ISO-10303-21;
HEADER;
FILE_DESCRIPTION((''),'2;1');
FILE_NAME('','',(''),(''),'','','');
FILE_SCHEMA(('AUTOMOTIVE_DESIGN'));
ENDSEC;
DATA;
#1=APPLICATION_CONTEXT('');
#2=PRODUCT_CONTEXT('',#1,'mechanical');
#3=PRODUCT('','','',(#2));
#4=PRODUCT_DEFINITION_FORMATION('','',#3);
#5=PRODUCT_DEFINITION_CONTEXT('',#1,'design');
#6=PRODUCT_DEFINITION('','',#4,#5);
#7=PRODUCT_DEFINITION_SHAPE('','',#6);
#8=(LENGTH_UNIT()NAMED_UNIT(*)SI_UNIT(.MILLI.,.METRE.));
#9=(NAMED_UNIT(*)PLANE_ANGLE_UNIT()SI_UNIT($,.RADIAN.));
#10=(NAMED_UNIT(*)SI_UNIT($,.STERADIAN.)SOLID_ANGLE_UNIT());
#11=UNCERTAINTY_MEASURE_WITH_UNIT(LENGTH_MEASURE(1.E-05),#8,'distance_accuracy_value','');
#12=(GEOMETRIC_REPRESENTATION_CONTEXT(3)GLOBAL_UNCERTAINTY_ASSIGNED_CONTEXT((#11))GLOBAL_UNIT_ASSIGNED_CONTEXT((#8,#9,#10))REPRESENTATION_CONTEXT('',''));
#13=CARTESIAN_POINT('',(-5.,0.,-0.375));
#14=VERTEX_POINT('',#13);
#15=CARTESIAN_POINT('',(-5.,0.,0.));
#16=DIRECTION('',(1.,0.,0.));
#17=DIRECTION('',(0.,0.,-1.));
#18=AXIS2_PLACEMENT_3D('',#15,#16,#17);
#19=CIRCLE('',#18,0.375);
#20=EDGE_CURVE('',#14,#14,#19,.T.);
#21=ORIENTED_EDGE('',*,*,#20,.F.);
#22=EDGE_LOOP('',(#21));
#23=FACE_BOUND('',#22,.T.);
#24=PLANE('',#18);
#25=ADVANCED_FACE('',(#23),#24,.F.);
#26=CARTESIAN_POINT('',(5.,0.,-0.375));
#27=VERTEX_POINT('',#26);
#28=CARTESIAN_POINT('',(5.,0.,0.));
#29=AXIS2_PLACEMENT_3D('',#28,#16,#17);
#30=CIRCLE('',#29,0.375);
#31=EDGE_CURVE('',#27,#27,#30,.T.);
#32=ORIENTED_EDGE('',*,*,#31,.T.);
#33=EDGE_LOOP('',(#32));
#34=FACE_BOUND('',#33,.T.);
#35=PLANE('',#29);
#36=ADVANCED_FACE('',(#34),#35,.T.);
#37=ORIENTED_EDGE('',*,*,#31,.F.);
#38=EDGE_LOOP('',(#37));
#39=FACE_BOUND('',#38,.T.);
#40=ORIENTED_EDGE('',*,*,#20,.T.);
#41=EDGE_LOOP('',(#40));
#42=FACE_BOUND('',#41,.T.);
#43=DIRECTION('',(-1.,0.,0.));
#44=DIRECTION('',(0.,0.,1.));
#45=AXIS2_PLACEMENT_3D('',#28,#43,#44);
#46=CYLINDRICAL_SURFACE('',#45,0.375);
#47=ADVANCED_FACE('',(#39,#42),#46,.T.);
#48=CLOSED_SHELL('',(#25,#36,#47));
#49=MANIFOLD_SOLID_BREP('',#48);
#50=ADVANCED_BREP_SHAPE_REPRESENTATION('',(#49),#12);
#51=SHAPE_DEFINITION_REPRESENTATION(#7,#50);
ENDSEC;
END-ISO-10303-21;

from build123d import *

# Parameters (mm, degrees)
SKETCH1_R           = 0.375
BOSS_EXTRUDE1_DEPTH = 5


with BuildPart() as part:
    # Sketch1 → Boss-Extrude1 (new body, symmetric)
    with BuildSketch(Plane(origin=(0, 0, 0), x_dir=(0, 0, -1), z_dir=(1, 0, 0))):
        Circle(SKETCH1_R)
    extrude(amount=BOSS_EXTRUDE1_DEPTH, both=True)


solid = part.part
